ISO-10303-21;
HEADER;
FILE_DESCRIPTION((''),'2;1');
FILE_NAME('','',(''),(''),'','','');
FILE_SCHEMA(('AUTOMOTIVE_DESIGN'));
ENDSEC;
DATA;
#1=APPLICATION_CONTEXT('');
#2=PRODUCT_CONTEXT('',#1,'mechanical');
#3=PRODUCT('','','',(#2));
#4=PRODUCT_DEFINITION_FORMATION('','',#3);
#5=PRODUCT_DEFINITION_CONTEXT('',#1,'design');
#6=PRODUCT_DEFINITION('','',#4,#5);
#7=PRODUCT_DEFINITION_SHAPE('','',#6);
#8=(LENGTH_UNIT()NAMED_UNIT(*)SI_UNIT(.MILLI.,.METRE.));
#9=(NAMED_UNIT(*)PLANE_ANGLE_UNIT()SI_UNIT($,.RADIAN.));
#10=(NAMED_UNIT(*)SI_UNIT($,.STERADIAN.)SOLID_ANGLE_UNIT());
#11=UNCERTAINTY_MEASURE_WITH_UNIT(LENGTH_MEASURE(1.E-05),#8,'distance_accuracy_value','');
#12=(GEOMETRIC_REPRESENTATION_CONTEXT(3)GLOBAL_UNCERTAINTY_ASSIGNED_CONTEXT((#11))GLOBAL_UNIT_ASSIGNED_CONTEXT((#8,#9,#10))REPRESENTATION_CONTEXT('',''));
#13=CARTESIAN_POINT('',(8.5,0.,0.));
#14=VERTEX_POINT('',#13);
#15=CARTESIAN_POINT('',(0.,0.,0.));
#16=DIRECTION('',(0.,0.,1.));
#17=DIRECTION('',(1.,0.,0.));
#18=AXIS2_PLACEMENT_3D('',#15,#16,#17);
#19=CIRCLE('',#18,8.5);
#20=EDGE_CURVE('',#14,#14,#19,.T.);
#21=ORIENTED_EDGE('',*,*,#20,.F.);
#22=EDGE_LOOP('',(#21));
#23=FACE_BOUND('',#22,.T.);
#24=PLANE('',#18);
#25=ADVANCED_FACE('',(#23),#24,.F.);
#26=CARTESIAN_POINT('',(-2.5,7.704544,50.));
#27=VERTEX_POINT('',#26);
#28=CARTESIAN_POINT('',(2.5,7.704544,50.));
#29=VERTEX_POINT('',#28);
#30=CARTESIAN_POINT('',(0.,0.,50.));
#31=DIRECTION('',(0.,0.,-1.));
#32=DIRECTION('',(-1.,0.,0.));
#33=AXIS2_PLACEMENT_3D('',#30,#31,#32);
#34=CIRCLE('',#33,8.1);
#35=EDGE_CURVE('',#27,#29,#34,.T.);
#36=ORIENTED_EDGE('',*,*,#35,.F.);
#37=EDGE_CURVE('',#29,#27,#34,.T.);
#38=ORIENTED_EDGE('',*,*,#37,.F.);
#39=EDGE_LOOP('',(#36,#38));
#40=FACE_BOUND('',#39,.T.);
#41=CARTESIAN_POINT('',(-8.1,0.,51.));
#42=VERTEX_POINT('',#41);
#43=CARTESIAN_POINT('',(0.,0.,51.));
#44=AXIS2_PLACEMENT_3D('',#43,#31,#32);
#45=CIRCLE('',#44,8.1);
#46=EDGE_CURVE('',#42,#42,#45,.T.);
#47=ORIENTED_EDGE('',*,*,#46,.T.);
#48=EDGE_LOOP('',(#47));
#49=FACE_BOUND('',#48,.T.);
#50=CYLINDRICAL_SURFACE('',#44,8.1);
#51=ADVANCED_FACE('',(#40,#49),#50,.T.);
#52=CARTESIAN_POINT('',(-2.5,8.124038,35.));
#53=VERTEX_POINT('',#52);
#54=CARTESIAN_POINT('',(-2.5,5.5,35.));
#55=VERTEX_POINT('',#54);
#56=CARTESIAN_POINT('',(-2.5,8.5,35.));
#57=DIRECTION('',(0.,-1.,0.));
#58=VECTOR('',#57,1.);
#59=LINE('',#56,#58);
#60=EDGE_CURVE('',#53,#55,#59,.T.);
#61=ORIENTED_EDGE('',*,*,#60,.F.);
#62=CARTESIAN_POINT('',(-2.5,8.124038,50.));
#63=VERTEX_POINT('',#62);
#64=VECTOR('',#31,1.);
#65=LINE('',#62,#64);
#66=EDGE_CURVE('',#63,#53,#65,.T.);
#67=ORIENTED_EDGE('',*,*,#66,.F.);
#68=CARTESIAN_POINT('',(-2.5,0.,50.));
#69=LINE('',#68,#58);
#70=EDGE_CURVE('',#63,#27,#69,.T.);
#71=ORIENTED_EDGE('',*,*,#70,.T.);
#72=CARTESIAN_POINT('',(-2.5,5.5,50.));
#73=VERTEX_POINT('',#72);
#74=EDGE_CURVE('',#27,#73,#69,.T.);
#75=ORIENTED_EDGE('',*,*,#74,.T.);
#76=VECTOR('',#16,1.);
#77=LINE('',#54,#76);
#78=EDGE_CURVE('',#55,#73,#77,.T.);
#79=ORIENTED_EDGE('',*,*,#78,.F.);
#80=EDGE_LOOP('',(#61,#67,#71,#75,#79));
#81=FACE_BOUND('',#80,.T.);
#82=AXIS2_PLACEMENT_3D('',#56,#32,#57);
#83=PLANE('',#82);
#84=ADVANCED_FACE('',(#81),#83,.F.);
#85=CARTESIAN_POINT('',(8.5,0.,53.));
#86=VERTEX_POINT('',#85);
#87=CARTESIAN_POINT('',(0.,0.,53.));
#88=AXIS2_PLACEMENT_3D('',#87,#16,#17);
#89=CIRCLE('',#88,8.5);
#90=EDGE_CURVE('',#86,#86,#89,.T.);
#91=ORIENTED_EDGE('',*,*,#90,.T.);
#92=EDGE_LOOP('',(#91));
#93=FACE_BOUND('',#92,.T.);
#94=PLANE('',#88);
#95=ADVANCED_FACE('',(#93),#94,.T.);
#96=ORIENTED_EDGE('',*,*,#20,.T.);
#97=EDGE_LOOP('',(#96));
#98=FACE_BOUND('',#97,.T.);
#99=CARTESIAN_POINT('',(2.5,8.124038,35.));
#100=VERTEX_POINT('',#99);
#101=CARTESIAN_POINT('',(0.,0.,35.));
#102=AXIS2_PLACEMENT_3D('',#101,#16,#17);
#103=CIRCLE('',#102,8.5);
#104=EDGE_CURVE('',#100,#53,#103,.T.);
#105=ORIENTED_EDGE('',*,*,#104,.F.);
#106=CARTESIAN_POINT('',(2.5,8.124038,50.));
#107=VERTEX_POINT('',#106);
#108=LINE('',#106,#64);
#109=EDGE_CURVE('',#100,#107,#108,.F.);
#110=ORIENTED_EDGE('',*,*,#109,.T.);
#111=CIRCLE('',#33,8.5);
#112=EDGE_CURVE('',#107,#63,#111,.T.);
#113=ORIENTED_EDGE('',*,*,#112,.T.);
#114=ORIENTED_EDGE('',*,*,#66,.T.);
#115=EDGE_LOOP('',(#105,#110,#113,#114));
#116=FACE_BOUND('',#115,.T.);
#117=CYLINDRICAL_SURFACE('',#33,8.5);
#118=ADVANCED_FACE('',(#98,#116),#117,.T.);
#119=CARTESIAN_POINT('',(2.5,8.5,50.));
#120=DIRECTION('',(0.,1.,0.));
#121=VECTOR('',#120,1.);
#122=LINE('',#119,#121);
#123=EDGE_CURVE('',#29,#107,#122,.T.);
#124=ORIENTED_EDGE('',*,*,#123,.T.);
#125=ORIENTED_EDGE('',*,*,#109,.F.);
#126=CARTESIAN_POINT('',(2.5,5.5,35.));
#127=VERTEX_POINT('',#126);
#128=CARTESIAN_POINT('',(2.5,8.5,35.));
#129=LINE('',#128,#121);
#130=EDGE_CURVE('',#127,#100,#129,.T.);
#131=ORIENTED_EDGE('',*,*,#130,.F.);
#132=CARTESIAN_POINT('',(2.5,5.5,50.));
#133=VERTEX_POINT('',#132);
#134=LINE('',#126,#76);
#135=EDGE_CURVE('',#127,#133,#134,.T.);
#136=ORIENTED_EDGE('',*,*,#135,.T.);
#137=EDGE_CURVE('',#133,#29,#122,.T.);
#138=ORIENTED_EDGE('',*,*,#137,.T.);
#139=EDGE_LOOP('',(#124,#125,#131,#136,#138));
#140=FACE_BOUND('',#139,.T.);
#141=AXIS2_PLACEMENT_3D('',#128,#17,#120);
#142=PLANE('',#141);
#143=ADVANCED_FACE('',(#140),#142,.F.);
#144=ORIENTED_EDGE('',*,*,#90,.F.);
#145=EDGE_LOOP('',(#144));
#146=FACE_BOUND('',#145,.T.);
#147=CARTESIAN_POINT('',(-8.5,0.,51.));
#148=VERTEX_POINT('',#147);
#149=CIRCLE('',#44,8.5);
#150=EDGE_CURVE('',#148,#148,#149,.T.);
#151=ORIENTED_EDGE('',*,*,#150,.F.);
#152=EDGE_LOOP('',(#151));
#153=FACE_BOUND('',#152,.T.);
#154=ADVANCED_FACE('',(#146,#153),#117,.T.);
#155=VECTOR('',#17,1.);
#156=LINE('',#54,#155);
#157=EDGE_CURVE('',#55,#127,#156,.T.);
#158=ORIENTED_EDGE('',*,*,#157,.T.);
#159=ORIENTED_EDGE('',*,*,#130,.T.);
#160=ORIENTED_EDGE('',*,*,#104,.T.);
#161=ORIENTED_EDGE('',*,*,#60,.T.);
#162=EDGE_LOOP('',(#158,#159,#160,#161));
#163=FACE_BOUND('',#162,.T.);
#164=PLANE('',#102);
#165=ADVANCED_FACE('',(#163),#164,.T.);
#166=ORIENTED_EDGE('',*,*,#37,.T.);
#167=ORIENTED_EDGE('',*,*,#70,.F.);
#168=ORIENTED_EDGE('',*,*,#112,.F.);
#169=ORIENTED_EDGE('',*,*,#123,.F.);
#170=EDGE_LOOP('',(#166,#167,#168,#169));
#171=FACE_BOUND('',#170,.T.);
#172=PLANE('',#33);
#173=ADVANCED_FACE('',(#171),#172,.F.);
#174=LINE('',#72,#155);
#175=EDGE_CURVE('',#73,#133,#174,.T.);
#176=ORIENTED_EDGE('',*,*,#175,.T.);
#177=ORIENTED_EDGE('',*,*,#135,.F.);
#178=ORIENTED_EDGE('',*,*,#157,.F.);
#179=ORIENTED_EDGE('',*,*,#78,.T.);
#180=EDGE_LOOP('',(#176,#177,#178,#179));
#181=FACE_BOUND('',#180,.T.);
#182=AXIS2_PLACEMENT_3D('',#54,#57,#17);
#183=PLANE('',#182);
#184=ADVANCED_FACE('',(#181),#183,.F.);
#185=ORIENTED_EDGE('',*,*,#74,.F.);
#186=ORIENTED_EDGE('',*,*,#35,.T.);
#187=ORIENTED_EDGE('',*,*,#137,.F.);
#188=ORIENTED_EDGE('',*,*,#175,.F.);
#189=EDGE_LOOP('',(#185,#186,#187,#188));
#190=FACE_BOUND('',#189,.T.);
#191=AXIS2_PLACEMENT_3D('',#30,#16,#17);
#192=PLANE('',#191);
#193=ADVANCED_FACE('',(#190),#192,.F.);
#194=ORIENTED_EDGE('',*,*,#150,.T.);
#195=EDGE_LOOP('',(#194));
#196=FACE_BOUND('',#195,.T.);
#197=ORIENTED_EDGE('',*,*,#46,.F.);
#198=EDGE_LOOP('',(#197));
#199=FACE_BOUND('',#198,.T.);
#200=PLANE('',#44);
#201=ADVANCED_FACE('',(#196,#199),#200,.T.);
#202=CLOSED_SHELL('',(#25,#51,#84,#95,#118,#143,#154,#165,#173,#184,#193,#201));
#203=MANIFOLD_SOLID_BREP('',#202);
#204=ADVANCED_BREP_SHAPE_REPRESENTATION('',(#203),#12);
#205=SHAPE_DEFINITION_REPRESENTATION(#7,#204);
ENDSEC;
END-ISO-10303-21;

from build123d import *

# Parameters (mm, degrees)
SKETCH1_R           = 8.5
BOSS_EXTRUDE1_DEPTH = 50
SKETCH2_W           = 5
SKETCH2_H           = 3
CUT_EXTRUDE1_DEPTH  = 15
SKETCH3_R           = 8.5
BOSS_EXTRUDE2_DEPTH = 3
SKETCH4_R           = 9
SKETCH4_R_2         = 8.1
CUT_EXTRUDE2_DEPTH  = 1


with BuildPart() as part:
    # Sketch1 → Boss-Extrude1 (new body)
    with BuildSketch(Plane.XY):
        Circle(SKETCH1_R)
    extrude(amount=BOSS_EXTRUDE1_DEPTH)

    # Sketch2 → Cut-Extrude1 (cut)
    with BuildSketch(Plane.XY.offset(50)):
        with Locations((0, 7)):
            Rectangle(SKETCH2_W, SKETCH2_H)
    extrude(amount=-CUT_EXTRUDE1_DEPTH, mode=Mode.SUBTRACT)

    # Sketch3 → Boss-Extrude2 (add)
    with BuildSketch(Plane.XY.offset(50)):
        Circle(SKETCH3_R)
    extrude(amount=BOSS_EXTRUDE2_DEPTH)

    # Sketch4 → Cut-Extrude2 (cut)
    with BuildSketch(Plane(origin=(0, 0, 50), x_dir=(-1, 0, 0), z_dir=(0, 0, -1))):
        Circle(SKETCH4_R)
        Circle(SKETCH4_R_2, mode=Mode.SUBTRACT)
    extrude(amount=-CUT_EXTRUDE2_DEPTH, mode=Mode.SUBTRACT)


solid = part.part
